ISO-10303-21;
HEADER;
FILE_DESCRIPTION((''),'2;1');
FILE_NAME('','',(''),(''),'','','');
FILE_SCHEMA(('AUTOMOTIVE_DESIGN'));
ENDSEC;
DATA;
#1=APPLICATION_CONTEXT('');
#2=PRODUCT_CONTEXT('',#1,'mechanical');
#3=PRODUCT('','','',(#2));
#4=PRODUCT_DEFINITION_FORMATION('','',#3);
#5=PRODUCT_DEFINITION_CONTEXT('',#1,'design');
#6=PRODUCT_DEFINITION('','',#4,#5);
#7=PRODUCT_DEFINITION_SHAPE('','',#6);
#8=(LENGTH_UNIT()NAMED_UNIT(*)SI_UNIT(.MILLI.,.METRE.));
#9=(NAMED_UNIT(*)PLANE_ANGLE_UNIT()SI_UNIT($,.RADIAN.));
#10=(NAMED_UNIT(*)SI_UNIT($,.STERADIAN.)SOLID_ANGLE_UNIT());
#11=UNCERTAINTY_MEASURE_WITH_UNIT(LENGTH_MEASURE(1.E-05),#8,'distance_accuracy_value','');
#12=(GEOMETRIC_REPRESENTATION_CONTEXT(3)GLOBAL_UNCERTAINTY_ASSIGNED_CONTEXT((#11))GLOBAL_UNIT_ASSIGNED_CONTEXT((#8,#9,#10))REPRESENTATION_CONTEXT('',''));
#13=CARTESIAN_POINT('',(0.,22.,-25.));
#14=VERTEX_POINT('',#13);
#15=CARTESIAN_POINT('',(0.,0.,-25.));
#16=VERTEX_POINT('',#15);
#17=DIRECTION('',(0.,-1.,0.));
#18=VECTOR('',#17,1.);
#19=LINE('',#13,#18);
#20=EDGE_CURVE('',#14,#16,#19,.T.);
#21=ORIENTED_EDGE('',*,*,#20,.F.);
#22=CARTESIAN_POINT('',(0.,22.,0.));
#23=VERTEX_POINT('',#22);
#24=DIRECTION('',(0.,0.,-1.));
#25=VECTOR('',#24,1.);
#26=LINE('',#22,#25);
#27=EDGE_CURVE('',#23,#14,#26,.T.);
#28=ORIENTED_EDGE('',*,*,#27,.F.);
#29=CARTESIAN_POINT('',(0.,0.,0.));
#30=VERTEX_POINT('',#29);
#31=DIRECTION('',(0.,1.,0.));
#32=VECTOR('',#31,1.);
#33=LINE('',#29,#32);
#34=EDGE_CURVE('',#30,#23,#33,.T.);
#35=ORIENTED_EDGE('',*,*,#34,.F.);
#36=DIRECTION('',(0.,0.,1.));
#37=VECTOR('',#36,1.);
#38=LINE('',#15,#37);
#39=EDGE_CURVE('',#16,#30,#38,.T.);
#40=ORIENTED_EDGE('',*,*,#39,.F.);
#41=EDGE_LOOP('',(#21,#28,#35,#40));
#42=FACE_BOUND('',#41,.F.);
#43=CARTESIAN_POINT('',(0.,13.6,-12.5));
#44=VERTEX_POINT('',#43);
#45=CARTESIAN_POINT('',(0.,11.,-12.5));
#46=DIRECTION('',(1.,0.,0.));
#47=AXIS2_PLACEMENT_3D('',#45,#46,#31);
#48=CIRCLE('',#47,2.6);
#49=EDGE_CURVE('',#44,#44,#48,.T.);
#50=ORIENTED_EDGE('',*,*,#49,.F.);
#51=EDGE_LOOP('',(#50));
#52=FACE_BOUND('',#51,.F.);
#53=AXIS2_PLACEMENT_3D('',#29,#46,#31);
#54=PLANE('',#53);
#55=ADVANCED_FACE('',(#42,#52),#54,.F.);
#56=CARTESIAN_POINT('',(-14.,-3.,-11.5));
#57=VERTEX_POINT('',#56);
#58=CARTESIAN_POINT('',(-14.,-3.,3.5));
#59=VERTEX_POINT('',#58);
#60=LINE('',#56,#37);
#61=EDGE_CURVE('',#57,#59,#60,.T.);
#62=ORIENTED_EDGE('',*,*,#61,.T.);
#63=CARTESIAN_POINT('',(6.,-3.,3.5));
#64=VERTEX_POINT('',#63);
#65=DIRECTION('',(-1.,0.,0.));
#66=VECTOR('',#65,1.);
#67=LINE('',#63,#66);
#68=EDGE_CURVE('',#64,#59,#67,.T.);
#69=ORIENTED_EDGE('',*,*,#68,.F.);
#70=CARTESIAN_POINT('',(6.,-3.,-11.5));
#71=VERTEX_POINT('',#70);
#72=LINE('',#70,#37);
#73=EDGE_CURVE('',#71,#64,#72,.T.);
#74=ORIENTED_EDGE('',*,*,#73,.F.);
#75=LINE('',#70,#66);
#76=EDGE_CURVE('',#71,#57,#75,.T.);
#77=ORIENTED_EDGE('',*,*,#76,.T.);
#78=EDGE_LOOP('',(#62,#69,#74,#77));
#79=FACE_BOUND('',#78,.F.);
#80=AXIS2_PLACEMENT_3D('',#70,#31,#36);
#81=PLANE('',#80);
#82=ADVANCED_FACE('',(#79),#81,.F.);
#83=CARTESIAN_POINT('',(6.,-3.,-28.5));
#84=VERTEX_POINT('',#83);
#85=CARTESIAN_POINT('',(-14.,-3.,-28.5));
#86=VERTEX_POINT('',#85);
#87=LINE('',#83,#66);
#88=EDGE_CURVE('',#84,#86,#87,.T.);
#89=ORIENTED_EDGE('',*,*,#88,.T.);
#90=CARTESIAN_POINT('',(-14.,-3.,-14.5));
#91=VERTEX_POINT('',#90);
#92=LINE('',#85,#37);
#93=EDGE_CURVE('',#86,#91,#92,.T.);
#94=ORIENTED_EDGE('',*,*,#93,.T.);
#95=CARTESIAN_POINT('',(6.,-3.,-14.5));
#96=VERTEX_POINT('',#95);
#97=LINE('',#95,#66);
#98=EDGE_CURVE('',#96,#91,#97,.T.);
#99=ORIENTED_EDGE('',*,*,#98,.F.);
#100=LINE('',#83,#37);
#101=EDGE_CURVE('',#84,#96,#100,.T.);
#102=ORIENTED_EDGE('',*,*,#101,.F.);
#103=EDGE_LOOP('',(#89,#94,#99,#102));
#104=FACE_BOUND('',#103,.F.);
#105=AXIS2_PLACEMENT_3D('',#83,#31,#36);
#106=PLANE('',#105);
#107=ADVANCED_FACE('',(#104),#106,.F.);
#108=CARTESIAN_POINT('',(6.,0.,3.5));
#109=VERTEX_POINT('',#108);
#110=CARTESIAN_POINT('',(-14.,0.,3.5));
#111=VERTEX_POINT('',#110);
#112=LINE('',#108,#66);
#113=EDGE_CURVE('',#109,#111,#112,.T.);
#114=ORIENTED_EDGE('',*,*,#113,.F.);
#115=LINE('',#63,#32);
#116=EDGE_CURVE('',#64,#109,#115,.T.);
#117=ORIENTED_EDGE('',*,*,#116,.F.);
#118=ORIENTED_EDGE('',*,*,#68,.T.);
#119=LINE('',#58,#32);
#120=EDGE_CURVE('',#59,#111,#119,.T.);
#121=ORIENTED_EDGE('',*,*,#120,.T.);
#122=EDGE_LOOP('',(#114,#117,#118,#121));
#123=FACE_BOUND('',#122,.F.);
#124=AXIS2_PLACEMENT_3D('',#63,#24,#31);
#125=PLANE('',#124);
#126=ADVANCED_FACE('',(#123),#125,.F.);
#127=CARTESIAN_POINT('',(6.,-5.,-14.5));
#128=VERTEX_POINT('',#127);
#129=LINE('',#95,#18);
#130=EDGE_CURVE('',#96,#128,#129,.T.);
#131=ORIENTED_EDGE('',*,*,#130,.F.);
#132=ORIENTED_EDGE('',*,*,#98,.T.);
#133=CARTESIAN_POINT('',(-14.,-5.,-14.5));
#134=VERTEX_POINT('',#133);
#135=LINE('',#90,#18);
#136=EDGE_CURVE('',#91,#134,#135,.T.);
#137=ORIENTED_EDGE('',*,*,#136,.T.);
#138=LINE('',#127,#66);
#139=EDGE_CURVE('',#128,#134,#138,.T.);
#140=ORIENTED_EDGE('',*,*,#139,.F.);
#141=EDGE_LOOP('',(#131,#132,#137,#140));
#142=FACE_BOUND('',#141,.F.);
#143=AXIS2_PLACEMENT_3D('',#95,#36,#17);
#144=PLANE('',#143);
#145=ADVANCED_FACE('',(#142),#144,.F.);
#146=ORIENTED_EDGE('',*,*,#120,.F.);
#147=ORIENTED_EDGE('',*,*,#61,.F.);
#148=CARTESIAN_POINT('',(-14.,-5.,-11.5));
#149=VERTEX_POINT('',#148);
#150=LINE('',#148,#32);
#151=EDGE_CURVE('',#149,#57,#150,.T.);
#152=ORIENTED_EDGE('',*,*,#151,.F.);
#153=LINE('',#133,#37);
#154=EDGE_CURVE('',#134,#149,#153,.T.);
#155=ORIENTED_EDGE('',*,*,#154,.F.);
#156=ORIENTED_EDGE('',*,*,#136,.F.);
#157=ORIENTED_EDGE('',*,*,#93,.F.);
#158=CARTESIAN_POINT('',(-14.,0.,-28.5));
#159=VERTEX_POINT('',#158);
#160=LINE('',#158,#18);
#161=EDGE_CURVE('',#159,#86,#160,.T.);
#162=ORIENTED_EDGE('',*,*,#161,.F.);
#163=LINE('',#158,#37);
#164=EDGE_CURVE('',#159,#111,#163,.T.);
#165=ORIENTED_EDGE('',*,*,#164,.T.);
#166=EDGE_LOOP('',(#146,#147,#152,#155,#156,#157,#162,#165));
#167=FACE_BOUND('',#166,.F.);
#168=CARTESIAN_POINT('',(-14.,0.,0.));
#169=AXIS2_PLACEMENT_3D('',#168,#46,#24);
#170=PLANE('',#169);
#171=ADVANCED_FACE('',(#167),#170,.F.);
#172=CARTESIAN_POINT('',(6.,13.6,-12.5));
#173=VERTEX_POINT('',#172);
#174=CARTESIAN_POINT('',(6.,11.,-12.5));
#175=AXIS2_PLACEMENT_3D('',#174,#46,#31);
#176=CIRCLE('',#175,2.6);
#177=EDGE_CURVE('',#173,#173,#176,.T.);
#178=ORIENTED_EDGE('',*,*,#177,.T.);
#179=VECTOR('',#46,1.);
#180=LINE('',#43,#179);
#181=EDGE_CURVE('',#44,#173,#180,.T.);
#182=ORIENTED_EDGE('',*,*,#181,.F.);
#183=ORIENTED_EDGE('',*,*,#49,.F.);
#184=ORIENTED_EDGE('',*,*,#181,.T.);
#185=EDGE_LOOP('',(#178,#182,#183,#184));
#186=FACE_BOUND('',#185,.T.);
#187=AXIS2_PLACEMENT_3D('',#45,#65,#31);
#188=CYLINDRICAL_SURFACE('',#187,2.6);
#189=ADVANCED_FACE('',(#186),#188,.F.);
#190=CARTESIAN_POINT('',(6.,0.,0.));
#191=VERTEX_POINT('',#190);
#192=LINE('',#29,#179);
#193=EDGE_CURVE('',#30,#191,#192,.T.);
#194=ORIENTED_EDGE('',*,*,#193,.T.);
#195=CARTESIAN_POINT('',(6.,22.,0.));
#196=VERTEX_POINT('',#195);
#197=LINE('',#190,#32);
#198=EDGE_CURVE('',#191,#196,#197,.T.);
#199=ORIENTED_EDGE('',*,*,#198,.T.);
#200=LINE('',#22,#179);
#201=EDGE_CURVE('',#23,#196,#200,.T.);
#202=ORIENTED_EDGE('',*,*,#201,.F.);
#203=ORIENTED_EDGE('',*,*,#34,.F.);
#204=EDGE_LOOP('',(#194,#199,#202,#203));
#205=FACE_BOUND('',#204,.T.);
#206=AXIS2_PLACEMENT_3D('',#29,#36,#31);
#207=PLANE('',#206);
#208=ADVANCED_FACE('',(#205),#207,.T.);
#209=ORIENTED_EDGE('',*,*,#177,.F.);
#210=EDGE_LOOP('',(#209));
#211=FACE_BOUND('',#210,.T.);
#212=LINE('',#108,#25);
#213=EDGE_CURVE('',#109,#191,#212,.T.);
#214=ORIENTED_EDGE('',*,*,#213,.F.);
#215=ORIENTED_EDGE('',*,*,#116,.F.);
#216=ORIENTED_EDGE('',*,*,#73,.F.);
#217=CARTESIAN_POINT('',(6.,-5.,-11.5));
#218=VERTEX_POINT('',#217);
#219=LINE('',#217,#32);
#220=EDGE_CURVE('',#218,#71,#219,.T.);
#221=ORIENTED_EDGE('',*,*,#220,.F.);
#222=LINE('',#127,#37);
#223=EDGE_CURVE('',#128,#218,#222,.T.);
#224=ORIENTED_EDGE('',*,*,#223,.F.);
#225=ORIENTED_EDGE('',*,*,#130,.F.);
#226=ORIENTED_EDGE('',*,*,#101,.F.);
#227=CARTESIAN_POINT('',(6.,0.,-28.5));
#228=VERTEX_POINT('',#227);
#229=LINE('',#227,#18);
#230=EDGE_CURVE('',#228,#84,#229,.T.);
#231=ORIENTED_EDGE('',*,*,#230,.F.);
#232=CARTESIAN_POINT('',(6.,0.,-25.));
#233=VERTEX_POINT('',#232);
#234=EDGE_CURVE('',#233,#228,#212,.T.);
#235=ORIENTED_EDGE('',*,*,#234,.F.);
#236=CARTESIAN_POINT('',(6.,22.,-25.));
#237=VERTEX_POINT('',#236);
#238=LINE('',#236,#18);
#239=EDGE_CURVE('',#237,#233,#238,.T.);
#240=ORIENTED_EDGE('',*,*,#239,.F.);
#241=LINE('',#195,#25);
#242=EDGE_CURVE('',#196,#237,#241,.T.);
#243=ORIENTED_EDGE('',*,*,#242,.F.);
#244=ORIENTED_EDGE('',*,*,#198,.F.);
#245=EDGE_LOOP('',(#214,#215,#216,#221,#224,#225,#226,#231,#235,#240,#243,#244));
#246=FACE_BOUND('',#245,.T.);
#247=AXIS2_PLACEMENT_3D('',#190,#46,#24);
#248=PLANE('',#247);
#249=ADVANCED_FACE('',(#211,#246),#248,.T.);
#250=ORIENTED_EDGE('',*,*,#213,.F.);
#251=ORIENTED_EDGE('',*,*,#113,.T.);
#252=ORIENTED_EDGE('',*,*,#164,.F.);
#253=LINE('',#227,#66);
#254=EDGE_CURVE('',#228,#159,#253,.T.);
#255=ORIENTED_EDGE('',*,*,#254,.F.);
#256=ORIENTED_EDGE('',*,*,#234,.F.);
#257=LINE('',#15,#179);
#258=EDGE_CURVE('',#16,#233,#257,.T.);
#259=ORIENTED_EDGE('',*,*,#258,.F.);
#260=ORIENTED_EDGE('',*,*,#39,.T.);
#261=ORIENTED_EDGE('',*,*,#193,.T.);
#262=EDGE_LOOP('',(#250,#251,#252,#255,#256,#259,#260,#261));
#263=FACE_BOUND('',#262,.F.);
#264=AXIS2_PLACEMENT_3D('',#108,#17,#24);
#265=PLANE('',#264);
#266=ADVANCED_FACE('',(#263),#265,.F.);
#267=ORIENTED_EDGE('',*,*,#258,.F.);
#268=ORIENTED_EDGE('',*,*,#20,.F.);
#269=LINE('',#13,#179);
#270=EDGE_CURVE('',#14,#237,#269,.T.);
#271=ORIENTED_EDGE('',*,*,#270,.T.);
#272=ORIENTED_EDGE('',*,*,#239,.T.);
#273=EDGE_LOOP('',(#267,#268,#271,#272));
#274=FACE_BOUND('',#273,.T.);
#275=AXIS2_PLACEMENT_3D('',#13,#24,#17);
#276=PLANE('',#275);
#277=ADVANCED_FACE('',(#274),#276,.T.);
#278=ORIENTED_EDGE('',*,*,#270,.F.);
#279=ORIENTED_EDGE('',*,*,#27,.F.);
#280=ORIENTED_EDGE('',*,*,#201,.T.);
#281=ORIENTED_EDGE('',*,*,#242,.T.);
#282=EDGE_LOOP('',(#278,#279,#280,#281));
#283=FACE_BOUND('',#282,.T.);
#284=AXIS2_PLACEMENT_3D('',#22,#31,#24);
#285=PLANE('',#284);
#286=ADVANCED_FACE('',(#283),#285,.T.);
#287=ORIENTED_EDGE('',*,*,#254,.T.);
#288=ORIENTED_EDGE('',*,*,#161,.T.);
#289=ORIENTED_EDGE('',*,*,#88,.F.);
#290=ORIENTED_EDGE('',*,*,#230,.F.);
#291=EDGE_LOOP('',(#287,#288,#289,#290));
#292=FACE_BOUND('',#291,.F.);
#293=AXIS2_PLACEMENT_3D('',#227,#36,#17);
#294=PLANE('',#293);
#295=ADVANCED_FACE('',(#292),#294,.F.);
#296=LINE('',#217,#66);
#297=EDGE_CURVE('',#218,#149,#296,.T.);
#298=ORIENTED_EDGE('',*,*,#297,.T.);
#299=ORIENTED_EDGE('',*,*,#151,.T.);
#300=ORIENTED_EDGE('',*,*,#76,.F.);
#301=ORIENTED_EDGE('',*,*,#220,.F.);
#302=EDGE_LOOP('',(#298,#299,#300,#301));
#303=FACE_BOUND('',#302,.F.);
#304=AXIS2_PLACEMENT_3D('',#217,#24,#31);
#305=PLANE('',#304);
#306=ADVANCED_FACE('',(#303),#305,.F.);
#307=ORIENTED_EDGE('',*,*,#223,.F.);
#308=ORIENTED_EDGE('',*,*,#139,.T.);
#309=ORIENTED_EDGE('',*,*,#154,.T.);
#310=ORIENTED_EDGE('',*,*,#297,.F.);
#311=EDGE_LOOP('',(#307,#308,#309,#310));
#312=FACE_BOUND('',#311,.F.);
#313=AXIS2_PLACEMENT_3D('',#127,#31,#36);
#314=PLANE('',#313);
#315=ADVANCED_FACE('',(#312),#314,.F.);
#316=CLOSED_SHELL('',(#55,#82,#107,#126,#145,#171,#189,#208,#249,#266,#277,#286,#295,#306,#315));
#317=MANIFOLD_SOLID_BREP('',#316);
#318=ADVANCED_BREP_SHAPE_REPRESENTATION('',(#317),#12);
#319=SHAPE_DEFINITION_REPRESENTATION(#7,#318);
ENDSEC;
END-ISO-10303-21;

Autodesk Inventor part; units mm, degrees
ref_plane "YZ Plane" through (0, 0, 0) normal (1, 0, 0) x (0, 1, 0)
ref_plane "XZ Plane" through (0, 0, 0) normal (0, 1, 0) x (-1, 0, 0)
ref_plane "XY Plane" through (0, 0, 0) normal (0, 0, 1) x (1, 0, 0)
sketch "Sketch1" plane through (0, 0, 0) normal (1, 0, 0) x (0, 1, 0)
  line L0 (0, 0) -> (22, 0)
  line L1 (22, 0) -> (22, -25)
  line L2 (22, -25) -> (0, -25)
  line L3 (0, -25) -> (0, 0)
  circle A0 centre (11, -12.5) radius 2.6
  dimension "d0" = 22
  dimension "d1" = 25
  dimension "d2" = 5.2
  dimension "d3" = 11
  dimension "d4" = 12.5
extrude "Extrusion1" add sketch "Sketch1" along normal blind 6
sketch "Sketch2" plane through (6, 0, 0) normal (1, 0, 0) x (0, 0, -1)
  line L0 (-3.5, 0) -> (28.5, 0)
  line L1 (28.5, 0) -> (28.5, -3)
  line L2 (-3.5, -3) -> (-3.5, 0)
  line L3 (0, 22) -> (0, 0) projected
  line L4 (25, 0) -> (25, 22) projected
  line L5 (0, 0) -> (25, 0) projected
  line L6 (11.5, -3) -> (14.5, -3)
  line L7 (14.5, -3) -> (14.5, -5)
  line L8 (14.5, -5) -> (11.5, -5)
  line L9 (11.5, -5) -> (11.5, -3)
  line L10 (28.5, -3) -> (14.5, -3)
  line L11 (11.5, -3) -> (-3.5, -3)
  dimension "d8" = 3
  dimension "d9" = 3.5
  dimension "d10" = 3.5
  dimension "d13" = 3
  dimension "d14" = 2
  dimension "d15" = 11.5
extrude "Extrusion2" add sketch "Sketch2" against normal blind 20
equation "\"d3\" = 0.5 * d0"
properties part number "AlignmentJig"
